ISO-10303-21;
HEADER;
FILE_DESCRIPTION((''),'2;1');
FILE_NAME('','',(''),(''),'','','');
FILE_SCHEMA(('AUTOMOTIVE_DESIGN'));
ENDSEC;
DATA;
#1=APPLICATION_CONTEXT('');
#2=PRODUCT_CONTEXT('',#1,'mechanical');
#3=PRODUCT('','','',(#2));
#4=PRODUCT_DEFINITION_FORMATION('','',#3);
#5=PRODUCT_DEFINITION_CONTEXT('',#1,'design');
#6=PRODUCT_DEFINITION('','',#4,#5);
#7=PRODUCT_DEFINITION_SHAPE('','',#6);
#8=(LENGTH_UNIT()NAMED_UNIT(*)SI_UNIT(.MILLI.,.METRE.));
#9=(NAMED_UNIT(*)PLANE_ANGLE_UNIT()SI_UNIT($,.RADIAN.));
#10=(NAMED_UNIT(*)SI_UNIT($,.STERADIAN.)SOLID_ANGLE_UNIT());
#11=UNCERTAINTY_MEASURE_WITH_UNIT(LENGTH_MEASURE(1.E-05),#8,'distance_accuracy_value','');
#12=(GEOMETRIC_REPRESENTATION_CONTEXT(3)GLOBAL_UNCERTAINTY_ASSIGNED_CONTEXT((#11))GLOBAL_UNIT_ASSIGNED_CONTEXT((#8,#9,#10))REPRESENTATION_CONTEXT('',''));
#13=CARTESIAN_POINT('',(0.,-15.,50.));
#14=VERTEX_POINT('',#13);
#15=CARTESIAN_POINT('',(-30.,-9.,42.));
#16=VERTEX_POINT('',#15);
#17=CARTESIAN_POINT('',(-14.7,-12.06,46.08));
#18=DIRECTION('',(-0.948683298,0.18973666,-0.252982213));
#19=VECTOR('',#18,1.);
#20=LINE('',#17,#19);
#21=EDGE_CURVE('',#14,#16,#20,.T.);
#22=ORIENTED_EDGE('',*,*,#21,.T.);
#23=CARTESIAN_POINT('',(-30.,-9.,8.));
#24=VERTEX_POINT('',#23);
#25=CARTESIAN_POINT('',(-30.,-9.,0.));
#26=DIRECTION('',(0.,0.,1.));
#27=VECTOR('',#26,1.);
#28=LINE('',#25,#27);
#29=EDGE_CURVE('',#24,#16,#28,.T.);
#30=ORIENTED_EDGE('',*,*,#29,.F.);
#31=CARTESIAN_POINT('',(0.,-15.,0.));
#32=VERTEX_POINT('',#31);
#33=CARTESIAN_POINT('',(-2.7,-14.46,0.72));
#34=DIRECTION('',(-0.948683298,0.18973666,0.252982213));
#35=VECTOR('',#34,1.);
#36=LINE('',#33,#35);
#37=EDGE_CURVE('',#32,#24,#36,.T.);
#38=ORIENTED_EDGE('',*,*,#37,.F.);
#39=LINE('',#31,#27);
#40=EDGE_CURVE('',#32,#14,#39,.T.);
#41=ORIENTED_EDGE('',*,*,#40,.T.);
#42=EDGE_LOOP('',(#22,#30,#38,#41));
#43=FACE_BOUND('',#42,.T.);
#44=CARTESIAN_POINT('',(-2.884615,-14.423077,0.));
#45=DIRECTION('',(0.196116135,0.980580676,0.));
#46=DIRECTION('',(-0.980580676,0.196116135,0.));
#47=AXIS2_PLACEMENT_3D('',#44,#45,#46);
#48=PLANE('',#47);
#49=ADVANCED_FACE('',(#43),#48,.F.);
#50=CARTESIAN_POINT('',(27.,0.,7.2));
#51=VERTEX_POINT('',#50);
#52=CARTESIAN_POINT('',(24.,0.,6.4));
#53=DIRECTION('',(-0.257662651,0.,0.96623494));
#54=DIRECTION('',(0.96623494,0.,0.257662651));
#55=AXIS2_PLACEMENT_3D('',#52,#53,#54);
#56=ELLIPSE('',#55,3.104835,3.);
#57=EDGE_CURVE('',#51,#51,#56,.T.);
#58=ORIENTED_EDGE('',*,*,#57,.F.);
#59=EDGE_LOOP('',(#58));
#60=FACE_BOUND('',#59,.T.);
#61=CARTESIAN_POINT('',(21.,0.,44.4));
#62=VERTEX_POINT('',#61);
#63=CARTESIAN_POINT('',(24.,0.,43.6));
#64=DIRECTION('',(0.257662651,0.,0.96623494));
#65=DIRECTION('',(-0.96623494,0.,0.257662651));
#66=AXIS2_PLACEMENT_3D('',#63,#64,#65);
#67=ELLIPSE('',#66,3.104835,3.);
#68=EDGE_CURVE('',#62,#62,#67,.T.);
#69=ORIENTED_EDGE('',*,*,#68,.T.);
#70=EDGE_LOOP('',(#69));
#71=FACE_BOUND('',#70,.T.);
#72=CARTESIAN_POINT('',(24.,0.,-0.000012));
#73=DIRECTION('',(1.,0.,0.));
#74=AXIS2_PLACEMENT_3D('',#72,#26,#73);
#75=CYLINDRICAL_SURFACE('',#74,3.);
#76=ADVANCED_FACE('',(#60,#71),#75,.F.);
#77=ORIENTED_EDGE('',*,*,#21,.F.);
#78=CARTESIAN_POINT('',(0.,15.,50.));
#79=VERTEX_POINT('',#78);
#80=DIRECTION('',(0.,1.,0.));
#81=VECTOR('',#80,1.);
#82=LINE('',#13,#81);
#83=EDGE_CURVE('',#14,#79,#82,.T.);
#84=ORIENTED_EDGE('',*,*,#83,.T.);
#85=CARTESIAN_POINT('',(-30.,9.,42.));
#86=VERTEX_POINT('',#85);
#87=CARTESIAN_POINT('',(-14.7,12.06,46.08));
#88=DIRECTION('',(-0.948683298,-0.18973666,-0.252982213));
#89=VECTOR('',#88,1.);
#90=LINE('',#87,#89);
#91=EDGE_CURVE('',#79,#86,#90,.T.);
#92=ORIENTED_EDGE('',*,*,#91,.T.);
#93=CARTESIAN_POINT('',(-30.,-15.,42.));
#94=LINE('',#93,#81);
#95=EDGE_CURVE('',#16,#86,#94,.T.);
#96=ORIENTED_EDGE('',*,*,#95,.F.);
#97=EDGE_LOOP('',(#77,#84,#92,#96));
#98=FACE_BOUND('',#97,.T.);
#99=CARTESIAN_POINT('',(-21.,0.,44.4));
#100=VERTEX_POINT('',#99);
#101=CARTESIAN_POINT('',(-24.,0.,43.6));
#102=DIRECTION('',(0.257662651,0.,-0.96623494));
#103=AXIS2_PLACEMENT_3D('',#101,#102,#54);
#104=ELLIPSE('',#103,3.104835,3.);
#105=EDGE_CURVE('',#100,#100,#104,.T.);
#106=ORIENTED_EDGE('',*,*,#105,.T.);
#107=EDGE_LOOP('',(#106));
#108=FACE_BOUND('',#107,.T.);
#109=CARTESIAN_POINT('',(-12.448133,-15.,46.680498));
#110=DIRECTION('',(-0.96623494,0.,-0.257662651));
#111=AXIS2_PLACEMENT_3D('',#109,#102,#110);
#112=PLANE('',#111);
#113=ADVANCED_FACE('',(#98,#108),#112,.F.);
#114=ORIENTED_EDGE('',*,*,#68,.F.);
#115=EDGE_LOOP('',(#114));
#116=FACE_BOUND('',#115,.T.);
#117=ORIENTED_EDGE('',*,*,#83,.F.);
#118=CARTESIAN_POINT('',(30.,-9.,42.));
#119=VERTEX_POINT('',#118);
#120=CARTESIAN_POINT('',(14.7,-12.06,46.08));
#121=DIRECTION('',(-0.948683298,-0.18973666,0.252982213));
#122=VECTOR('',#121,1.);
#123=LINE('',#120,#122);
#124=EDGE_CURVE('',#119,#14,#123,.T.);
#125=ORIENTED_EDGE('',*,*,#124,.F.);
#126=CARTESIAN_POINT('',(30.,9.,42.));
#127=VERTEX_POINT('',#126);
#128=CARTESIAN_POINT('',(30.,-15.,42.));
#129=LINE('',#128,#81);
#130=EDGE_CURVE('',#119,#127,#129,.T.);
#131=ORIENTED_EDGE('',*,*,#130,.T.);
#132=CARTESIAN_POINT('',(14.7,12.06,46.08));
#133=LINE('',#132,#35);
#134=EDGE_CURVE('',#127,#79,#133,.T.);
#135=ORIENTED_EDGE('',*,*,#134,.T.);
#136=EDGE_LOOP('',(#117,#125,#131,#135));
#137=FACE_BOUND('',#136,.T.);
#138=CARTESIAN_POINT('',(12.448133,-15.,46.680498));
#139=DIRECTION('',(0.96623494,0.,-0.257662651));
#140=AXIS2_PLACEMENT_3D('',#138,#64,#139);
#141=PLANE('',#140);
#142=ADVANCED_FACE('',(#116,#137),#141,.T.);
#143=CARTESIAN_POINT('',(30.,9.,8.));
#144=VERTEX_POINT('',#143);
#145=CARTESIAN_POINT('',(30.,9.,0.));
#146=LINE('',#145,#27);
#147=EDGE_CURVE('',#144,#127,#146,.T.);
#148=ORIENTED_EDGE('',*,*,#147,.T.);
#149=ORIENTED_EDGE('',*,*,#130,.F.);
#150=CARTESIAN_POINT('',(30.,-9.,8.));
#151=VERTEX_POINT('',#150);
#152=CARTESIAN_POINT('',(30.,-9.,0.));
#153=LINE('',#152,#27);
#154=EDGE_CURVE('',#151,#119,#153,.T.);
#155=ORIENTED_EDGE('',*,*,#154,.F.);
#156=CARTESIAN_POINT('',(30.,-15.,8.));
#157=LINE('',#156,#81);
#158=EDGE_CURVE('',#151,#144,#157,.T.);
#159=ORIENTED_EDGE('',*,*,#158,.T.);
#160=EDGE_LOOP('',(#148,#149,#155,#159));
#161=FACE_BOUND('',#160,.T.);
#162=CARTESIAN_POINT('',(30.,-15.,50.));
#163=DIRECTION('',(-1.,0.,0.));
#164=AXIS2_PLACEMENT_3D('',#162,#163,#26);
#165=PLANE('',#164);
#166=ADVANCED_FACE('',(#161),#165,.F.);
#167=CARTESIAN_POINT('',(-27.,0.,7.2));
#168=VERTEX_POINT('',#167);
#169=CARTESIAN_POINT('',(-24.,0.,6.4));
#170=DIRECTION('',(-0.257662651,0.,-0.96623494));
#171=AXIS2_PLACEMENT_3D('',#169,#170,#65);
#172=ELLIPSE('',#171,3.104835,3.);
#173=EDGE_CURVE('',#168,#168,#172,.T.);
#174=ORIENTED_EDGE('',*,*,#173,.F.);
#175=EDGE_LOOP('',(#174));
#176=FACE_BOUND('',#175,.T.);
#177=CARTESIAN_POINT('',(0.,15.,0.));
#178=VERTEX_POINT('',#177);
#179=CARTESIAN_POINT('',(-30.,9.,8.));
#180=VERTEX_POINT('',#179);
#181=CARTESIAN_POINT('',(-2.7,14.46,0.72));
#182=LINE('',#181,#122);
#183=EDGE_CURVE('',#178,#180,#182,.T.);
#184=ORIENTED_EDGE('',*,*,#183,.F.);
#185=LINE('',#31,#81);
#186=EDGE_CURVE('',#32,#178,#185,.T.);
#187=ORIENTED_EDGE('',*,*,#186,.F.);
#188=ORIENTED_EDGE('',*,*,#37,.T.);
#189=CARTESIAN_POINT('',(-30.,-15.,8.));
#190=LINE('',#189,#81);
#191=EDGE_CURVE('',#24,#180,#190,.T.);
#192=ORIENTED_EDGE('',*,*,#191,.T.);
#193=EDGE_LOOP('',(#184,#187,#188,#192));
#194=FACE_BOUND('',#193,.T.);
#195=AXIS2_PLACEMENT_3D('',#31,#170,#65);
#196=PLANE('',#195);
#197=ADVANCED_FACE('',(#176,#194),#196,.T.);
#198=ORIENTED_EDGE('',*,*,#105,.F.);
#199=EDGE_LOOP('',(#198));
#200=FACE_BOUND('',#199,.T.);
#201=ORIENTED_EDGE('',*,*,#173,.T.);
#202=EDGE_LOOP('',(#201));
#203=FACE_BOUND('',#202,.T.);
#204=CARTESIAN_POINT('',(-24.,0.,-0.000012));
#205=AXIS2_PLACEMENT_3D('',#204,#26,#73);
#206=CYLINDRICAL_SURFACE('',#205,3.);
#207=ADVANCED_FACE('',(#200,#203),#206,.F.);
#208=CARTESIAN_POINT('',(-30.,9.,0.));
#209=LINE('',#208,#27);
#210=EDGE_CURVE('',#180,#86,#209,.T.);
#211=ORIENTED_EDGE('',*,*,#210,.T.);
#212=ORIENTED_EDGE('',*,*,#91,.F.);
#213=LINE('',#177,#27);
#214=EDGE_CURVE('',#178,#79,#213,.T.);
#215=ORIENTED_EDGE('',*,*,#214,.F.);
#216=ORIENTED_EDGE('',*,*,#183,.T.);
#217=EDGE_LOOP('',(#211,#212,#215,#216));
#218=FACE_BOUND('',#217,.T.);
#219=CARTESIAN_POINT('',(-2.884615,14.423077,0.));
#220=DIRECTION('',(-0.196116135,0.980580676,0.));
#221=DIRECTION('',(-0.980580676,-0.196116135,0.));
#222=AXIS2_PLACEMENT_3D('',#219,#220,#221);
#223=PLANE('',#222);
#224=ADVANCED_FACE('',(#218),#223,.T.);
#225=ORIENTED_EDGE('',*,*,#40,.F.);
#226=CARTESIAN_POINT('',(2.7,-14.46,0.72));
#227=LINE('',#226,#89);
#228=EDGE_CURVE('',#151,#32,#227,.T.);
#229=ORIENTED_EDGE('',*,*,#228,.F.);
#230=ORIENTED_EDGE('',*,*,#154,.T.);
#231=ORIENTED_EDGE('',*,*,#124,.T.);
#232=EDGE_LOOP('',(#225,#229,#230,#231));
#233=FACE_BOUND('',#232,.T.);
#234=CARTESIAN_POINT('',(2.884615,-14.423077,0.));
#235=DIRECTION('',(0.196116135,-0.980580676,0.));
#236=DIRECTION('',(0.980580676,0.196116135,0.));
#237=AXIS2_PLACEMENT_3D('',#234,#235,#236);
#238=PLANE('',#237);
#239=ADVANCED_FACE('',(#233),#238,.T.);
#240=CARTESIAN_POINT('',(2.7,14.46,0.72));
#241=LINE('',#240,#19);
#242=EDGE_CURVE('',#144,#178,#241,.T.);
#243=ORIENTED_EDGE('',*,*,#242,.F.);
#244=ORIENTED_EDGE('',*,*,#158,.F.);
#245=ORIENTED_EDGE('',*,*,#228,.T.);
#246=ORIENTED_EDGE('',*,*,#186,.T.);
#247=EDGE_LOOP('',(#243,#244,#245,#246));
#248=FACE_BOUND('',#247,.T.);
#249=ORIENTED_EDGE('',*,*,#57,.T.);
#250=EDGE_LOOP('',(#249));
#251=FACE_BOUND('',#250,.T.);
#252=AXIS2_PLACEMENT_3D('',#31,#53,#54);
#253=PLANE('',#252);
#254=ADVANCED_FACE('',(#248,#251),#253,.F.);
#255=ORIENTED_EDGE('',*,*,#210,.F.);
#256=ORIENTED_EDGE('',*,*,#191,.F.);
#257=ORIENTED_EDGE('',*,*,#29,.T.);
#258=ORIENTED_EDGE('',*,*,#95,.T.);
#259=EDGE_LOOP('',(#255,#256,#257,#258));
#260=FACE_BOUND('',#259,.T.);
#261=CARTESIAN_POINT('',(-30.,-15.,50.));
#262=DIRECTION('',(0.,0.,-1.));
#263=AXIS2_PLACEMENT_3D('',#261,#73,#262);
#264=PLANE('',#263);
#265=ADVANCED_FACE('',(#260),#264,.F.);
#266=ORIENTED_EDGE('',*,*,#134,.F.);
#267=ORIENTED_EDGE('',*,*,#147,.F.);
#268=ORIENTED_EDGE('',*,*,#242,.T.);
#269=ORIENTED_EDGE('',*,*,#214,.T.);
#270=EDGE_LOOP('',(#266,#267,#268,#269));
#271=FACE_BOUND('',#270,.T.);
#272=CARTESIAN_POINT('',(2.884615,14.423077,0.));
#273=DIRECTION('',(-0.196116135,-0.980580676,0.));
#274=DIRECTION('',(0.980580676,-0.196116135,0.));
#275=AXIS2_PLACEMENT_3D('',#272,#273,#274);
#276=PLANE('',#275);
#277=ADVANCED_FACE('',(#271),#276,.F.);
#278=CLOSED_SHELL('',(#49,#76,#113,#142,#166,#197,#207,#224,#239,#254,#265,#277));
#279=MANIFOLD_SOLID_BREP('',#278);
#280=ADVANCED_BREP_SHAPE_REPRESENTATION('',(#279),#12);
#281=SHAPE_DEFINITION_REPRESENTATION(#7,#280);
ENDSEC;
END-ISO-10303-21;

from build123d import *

# Parameters (mm, degrees)
SKETCH1_W               = 60
SKETCH1_H               = 30
BOSS_EXTRUDE1_DEPTH     = 50
CUT_EXTRUDE1_DEPTH      = 50
CUT_EXTRUDE2_DEPTH      = 61.207972894
CUT_EXTRUDE2_DEPTH_BACK = 61.207972894
CUT_EXTRUDE4_DEPTH      = 61.207972894
CUT_EXTRUDE4_DEPTH_BACK = 61.207972894
SKETCH5_R               = 3


with BuildPart() as part:
    # Sketch1 → Boss-Extrude1 (new body)
    with BuildSketch(Plane.XY):
        Rectangle(SKETCH1_W, SKETCH1_H)
    extrude(amount=BOSS_EXTRUDE1_DEPTH)

    # Sketch2 → Cut-Extrude1 (cut)
    with BuildSketch(Plane.XY.offset(50)):
        Polygon((-30, 9), (0, 15), (-30, 15), align=None)
        Polygon((30, 15), (0, 15), (30, 9), align=None)
        Polygon((0, -15), (-30, -9), (-30, -15), align=None)
        Polygon((30, -15), (30, -9), (0, -15), align=None)
    extrude(amount=-CUT_EXTRUDE1_DEPTH, mode=Mode.SUBTRACT)

    # Sketch4 → Cut-Extrude2 (cut, two sides: drawn at the far end of the back side and taken through both)
    with BuildSketch(Plane(origin=(0, 0, 0), x_dir=(1, 0, 0), z_dir=(0, 1, 0)).offset(-CUT_EXTRUDE2_DEPTH_BACK)):
        Polygon((-30, 0), (0, 0), (-30, -8), align=None)
        Polygon((30, 0), (30, -8), (0, 0), align=None)
        Polygon((30, -50), (0, -50), (30, -42), align=None)
        Polygon((-30, -42), (-30, -50), (0, -50), align=None)
    extrude(amount=CUT_EXTRUDE2_DEPTH + CUT_EXTRUDE2_DEPTH_BACK, mode=Mode.SUBTRACT)

    # Sketch5 → Cut-Extrude4 (cut, two sides: drawn at the far end of the back side and taken through both)
    with BuildSketch(Plane.XY.offset(-CUT_EXTRUDE4_DEPTH_BACK)):
        with Locations((-24, 0)):
            Circle(SKETCH5_R)
        with Locations((24, 0)):
            Circle(SKETCH5_R)
    extrude(amount=CUT_EXTRUDE4_DEPTH + CUT_EXTRUDE4_DEPTH_BACK, mode=Mode.SUBTRACT)


solid = part.part
